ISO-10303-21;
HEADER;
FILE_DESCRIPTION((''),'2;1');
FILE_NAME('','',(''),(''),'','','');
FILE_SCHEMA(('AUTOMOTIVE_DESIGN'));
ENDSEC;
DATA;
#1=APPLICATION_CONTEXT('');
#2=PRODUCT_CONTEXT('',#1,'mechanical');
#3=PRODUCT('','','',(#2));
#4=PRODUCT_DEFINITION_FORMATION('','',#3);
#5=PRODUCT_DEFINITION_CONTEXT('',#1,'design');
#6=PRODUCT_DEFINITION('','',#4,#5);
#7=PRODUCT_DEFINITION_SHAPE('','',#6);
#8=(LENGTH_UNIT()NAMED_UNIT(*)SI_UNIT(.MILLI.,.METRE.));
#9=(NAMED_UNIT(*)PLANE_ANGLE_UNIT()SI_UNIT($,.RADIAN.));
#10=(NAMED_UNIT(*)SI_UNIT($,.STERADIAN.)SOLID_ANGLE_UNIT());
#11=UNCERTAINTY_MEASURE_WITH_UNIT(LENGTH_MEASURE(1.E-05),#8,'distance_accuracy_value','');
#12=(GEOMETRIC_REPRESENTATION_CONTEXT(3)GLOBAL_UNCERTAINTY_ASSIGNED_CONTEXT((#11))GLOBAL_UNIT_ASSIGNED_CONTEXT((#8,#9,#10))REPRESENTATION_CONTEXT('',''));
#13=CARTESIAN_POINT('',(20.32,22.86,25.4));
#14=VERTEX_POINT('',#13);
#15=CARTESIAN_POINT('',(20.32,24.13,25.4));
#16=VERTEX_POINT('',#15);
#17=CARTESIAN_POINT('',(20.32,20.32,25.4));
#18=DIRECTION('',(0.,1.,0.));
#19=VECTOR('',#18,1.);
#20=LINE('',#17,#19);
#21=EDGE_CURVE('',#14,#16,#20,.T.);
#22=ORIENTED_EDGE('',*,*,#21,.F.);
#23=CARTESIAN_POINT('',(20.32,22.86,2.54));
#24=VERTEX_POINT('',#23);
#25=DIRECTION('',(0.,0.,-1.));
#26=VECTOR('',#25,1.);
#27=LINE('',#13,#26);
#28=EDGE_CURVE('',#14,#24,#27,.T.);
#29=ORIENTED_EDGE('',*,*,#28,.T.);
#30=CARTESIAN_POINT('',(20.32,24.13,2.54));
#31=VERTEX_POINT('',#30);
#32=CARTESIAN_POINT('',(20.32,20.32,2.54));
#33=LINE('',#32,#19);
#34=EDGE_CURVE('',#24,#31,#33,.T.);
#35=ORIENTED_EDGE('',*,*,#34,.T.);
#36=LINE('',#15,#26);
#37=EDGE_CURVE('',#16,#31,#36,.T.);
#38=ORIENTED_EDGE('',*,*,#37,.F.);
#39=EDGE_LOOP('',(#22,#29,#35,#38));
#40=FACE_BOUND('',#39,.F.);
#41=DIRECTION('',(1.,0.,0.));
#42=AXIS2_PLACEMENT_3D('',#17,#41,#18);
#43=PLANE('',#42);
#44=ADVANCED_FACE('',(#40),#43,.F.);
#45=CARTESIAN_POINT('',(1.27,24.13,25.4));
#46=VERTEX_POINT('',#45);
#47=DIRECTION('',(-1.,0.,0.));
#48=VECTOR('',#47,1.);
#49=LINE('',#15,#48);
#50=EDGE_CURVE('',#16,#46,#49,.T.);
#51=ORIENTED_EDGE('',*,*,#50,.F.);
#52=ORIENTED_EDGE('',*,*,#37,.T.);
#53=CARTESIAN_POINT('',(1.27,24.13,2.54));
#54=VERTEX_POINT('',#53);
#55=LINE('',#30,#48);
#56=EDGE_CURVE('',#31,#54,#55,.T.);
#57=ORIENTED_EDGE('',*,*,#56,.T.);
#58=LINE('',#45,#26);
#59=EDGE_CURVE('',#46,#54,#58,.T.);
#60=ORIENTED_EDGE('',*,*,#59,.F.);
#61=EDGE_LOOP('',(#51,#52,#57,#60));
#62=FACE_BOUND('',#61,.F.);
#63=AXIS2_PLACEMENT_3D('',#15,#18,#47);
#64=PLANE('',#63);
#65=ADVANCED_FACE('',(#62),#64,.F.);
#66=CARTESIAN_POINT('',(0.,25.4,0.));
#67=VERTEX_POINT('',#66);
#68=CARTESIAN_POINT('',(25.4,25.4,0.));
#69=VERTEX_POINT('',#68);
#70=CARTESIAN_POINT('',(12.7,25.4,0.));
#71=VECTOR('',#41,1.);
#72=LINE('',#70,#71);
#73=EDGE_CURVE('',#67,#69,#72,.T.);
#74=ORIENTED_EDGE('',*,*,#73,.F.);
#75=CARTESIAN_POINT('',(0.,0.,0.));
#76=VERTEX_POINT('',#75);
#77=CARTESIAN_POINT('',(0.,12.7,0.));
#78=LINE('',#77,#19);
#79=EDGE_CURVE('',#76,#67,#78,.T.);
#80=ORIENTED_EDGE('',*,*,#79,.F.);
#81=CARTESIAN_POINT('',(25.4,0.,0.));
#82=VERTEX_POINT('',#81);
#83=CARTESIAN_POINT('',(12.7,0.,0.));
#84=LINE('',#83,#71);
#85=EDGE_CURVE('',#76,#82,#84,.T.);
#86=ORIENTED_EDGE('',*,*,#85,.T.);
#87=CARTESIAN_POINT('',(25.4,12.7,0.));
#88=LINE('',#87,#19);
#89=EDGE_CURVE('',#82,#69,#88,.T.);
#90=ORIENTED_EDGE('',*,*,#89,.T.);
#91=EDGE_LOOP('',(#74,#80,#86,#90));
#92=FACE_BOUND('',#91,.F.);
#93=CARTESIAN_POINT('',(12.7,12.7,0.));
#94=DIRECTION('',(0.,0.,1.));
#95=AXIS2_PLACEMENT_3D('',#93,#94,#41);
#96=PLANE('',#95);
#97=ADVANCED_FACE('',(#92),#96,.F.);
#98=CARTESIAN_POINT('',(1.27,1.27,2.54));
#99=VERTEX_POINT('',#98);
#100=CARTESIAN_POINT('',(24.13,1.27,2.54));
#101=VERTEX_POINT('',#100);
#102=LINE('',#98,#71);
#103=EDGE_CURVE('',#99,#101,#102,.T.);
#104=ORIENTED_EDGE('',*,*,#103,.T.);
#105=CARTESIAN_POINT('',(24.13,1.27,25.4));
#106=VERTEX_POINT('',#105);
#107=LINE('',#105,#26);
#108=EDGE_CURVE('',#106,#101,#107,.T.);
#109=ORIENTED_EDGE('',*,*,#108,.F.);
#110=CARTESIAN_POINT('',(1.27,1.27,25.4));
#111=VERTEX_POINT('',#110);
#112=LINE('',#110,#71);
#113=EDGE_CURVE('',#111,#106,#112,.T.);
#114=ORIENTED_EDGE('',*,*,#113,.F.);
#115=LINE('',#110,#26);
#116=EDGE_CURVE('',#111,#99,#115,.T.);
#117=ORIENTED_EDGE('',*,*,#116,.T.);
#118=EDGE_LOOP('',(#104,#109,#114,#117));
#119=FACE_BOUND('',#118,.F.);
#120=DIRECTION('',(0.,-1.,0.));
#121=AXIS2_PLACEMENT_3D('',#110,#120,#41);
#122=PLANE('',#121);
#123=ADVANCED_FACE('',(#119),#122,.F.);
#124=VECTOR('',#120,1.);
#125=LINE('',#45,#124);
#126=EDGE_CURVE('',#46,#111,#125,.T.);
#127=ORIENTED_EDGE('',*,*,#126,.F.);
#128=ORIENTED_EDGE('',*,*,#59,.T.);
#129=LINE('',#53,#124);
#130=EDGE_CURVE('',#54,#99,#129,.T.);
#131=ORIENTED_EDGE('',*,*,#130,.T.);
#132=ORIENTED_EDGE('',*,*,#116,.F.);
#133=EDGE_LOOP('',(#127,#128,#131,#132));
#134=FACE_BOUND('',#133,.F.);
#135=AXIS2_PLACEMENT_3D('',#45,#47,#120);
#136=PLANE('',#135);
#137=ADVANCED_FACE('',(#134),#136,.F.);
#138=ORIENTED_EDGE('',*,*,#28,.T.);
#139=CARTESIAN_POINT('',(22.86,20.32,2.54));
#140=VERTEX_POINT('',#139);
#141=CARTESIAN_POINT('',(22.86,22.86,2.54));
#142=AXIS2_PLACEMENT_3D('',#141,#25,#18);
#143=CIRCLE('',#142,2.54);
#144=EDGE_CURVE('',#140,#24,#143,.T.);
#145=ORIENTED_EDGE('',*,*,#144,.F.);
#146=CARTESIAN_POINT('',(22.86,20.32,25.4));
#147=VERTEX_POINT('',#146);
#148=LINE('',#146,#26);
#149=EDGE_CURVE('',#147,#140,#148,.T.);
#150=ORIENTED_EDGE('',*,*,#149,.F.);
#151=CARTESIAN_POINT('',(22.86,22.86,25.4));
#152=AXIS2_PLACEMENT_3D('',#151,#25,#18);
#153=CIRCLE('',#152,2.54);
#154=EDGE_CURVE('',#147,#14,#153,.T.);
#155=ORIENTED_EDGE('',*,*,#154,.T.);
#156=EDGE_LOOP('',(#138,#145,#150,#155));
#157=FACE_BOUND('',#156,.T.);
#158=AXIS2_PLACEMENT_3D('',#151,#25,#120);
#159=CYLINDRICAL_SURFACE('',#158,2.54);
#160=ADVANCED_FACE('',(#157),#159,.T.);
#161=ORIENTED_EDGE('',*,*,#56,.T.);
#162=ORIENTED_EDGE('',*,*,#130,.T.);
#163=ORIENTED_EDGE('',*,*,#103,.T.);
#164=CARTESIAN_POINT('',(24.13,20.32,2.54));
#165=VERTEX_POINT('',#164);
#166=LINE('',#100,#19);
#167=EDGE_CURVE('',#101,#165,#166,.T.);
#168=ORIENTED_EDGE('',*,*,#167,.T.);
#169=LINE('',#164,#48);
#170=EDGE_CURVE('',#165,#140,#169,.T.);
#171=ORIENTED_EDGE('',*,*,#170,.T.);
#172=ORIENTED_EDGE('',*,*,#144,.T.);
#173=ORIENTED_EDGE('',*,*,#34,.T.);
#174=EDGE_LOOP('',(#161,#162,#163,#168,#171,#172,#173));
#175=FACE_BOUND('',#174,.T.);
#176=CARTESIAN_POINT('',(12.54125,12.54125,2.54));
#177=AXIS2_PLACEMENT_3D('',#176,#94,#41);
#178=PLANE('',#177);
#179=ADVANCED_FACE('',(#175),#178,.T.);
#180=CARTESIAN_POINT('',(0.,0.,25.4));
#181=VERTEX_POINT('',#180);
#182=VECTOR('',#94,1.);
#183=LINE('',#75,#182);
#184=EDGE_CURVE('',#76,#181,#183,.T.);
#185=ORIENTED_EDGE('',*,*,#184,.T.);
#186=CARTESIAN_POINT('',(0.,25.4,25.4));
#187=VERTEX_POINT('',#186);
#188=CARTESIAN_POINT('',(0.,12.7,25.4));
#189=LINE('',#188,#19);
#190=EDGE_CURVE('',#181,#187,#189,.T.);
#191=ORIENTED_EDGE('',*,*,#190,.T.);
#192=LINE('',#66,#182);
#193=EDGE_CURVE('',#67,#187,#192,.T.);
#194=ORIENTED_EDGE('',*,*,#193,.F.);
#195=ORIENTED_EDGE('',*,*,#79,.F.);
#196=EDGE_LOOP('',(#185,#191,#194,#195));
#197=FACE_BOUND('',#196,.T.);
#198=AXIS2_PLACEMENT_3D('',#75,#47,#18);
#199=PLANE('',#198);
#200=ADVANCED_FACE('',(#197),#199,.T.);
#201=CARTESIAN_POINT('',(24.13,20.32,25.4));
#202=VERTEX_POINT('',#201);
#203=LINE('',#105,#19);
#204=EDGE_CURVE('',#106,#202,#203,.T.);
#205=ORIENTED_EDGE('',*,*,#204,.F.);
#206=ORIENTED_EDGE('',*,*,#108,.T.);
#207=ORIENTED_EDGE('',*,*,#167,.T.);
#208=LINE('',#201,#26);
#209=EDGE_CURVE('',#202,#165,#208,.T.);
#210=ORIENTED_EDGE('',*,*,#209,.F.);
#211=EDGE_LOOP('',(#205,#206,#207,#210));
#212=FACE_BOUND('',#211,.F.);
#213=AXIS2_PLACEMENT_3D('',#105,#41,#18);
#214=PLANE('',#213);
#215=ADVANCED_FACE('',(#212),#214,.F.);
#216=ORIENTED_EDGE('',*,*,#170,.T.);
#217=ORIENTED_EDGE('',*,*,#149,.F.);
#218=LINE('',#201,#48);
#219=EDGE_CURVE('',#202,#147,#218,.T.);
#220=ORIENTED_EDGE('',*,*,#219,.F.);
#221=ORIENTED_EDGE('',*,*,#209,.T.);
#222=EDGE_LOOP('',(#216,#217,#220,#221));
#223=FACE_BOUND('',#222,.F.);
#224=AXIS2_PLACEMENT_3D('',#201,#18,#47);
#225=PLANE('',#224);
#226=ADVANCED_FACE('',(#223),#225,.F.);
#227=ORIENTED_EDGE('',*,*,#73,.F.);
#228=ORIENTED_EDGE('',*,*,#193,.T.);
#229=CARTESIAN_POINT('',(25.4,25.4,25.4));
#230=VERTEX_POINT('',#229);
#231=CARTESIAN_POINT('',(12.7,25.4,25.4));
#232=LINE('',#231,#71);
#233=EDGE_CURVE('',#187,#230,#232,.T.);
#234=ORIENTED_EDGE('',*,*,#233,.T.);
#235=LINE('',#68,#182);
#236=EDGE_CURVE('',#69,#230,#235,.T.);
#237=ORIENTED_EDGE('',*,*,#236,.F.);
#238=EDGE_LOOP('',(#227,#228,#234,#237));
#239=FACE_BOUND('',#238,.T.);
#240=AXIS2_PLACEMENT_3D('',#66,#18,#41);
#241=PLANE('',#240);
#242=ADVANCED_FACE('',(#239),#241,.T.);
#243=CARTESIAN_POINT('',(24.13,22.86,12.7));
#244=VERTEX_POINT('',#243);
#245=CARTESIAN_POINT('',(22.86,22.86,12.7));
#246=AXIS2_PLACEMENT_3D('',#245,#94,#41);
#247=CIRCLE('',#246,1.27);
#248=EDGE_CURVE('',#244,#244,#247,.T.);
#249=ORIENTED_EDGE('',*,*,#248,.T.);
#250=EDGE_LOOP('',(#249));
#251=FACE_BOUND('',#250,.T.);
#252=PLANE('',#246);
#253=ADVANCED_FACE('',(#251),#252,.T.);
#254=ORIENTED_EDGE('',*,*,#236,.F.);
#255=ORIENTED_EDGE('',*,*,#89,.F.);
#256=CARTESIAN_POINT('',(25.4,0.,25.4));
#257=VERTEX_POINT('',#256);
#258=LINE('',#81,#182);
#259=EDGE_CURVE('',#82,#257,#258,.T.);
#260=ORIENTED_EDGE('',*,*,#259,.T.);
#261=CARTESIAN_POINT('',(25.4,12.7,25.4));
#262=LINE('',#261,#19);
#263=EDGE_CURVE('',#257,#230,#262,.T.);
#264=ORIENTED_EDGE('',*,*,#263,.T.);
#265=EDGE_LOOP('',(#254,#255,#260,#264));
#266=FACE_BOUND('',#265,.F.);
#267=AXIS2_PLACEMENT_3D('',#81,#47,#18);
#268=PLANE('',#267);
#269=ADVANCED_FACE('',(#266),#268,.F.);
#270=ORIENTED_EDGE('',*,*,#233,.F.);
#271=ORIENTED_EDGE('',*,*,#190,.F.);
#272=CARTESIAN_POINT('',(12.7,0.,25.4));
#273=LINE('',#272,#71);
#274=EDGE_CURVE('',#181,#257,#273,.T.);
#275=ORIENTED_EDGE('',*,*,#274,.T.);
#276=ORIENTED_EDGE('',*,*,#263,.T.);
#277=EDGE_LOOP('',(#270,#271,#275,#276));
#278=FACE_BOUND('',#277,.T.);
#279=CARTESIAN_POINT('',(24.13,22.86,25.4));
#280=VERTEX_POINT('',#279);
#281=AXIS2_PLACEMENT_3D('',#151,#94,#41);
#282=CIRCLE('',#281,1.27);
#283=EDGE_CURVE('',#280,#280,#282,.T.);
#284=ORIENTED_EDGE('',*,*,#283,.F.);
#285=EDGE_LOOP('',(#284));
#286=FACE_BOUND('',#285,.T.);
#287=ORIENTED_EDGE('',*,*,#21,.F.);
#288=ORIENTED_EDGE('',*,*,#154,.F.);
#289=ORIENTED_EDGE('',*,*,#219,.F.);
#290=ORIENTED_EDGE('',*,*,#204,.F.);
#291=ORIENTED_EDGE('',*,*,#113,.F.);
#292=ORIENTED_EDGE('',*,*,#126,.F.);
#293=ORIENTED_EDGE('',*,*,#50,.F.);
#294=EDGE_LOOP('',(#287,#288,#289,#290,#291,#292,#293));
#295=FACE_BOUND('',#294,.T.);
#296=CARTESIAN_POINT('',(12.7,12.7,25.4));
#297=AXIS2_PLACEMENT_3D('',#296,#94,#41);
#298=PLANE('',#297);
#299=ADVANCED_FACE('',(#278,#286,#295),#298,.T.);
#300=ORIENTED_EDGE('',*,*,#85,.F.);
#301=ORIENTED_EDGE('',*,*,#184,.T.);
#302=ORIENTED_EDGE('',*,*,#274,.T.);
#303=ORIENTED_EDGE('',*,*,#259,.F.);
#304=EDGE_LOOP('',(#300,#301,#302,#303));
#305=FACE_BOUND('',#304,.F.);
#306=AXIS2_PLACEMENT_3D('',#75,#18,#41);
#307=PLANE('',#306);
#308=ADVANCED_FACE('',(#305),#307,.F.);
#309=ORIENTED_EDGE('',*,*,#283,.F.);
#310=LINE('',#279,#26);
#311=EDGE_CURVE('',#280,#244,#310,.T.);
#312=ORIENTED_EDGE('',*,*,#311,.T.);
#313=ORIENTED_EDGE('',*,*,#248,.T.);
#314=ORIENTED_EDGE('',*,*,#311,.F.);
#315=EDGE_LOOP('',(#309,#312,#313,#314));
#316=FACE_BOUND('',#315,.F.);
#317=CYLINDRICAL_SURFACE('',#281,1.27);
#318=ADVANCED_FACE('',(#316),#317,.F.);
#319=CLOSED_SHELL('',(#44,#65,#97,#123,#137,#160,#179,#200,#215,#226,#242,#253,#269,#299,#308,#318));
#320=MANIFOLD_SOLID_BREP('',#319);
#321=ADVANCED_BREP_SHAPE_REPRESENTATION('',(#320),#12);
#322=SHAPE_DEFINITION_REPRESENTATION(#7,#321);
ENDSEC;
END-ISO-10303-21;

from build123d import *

# Parameters (mm, degrees)
F0_W     = 25.4
F0_H     = 25.4
F1_DEPTH = 25.4
F2_R     = 1.27
F3_DEPTH = 12.7
F5_DEPTH = 22.86
F6_R     = 2.54


with BuildPart() as f1:
    # F0 (on Top) → F1 (new body)
    with BuildSketch(Plane.XY):
        with Locations((12.7, 12.7)):
            Rectangle(F0_W, F0_H)
    extrude(amount=F1_DEPTH)

    # F2 (on face) → F3 (cut)
    with BuildSketch(Plane.XY.offset(25.4)):
        with Locations((22.86, 22.86)):
            Circle(F2_R)
    extrude(amount=-F3_DEPTH, mode=Mode.SUBTRACT)

    # F4 (on face) → F5 (cut)
    with BuildSketch(Plane.XY.offset(25.4)):
        Polygon((24.13, 1.27), (24.13, 20.32), (20.32, 20.32), (20.32, 24.13), (1.27, 24.13), (1.27, 1.27), align=None)
    extrude(amount=-F5_DEPTH, mode=Mode.SUBTRACT)

    # F6
    f6_edges = [f1.edges().sort_by_distance(p)[0] for p in [
        (20.32, 20.32, 13.97),
    ]]
    fillet(f6_edges, radius=F6_R)


solid = f1.part
